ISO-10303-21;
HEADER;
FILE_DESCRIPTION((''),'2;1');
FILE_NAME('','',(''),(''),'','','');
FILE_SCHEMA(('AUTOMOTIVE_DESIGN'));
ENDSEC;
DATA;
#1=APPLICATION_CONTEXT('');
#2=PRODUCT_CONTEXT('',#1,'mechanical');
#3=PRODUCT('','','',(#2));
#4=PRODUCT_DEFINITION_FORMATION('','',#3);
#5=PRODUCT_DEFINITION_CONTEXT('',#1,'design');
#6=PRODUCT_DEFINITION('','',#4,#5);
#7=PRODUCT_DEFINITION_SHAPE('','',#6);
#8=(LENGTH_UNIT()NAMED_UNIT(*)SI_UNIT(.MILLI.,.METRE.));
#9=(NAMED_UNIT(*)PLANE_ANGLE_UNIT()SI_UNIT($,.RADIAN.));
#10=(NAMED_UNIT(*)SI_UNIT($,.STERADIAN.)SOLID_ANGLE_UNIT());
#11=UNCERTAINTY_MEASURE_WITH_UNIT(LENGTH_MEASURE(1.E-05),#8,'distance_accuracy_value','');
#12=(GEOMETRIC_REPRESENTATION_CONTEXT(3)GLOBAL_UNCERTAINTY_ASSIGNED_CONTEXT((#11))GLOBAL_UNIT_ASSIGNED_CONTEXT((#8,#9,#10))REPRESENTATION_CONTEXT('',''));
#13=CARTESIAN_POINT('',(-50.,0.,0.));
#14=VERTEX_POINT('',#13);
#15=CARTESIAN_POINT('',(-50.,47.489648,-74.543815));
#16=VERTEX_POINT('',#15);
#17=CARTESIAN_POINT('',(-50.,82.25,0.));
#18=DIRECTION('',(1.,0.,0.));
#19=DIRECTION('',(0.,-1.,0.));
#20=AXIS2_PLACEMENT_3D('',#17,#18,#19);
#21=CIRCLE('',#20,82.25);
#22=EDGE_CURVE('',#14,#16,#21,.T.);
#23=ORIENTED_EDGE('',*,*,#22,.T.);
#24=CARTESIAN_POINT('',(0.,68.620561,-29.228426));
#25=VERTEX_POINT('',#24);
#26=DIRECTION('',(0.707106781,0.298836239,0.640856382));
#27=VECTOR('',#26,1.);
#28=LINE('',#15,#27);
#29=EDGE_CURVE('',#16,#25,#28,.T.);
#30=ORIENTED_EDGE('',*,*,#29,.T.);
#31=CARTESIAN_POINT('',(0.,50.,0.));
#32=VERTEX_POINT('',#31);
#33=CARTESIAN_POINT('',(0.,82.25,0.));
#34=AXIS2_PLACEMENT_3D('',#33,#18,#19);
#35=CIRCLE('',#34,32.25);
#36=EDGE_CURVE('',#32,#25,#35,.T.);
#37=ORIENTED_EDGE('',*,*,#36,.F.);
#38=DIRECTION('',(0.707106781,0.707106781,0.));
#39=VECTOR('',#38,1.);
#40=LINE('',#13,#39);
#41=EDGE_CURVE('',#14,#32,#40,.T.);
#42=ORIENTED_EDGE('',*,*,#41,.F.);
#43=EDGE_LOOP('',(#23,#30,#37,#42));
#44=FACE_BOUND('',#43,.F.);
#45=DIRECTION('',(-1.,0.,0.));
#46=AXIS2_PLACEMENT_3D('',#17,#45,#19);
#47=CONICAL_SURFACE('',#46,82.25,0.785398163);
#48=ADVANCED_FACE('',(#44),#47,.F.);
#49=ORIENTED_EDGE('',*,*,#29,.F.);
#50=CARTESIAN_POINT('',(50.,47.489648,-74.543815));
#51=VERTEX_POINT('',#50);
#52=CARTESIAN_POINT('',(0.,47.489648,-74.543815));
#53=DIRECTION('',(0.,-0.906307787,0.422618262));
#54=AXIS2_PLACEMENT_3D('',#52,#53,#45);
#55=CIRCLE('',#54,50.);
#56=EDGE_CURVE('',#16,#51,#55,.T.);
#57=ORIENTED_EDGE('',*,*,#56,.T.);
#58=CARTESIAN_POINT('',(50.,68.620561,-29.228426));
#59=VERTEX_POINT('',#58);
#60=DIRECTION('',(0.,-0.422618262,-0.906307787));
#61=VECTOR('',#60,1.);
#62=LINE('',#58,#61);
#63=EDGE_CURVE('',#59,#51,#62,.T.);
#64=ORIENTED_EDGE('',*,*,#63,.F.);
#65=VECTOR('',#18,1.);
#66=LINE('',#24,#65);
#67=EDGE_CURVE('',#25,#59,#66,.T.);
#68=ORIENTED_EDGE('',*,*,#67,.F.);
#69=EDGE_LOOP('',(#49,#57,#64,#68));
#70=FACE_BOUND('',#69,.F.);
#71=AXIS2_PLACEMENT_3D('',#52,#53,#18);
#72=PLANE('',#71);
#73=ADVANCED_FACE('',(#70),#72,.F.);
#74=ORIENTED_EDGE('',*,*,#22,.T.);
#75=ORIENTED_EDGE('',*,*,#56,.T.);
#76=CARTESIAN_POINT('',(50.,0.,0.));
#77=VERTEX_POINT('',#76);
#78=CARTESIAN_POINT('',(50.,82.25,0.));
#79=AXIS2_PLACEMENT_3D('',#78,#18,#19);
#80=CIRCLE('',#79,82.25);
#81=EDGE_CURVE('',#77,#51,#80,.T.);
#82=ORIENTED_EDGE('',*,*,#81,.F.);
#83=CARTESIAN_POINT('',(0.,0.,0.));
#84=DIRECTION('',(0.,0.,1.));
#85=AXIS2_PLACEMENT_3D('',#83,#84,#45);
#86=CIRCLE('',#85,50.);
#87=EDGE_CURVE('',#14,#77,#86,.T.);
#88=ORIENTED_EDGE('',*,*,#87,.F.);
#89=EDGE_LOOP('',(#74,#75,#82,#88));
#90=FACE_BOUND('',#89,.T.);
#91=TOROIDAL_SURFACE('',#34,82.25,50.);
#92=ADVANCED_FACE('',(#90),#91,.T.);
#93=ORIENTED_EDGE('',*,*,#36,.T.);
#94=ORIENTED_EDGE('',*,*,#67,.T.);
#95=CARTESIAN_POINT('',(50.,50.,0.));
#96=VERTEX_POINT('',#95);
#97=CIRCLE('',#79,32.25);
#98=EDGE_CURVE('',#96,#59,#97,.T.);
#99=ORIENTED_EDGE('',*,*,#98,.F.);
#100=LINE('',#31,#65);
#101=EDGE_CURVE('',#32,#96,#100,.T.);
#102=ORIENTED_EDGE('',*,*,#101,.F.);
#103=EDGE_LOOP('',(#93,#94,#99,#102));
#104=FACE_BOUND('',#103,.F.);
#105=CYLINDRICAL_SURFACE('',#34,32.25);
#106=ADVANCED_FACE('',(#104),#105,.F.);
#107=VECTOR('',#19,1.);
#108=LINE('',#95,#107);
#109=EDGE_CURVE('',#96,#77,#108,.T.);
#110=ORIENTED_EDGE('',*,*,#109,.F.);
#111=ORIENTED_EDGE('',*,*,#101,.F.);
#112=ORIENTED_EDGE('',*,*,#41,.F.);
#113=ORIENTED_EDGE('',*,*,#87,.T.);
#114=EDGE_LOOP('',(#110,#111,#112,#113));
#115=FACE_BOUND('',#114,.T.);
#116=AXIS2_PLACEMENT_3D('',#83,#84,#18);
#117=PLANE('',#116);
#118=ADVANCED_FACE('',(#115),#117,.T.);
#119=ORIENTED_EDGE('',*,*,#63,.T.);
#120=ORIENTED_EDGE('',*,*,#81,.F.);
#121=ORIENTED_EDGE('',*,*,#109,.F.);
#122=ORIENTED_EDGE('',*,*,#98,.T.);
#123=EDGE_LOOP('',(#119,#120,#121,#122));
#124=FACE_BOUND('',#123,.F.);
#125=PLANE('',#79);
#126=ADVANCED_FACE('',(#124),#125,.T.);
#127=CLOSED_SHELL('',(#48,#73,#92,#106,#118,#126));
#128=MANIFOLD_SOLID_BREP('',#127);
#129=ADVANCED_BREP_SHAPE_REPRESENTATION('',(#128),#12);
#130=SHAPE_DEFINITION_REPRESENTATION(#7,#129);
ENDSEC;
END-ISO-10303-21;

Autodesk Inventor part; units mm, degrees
ref_plane "YZ Plane" through (0, 0, 0) normal (1, 0, 0) x (0, 1, 0)
sketch "Sketch1" plane through (0, 0, 0) normal (0, 0, 1) x (1, 0, 0)
  line L0 (0, 50) -> (50, 50)
  line L1 (50, 50) -> (50, 0)
  arc A0 (-50, 0) -> (50, 0) centre (0, 0) ccw
  line L2 (-50, 0) -> (0, 50)
  line L3 (-70, 82.25) -> (70, 82.25) projected
ref_plane "Work Plane1" through (0, 0, -100) normal (0, 0, 1) x (1, 0, 0)
ref_plane "Work Plane2" through (0, 82.25, 0) normal (0, 1, 0) x (-1, 0, 0)
revolve "Revolution1" add sketch "Sketch1" angle 65 about axis through (0, 82.25, 0) along (1, 0, 0)
properties part number "Revolve"
